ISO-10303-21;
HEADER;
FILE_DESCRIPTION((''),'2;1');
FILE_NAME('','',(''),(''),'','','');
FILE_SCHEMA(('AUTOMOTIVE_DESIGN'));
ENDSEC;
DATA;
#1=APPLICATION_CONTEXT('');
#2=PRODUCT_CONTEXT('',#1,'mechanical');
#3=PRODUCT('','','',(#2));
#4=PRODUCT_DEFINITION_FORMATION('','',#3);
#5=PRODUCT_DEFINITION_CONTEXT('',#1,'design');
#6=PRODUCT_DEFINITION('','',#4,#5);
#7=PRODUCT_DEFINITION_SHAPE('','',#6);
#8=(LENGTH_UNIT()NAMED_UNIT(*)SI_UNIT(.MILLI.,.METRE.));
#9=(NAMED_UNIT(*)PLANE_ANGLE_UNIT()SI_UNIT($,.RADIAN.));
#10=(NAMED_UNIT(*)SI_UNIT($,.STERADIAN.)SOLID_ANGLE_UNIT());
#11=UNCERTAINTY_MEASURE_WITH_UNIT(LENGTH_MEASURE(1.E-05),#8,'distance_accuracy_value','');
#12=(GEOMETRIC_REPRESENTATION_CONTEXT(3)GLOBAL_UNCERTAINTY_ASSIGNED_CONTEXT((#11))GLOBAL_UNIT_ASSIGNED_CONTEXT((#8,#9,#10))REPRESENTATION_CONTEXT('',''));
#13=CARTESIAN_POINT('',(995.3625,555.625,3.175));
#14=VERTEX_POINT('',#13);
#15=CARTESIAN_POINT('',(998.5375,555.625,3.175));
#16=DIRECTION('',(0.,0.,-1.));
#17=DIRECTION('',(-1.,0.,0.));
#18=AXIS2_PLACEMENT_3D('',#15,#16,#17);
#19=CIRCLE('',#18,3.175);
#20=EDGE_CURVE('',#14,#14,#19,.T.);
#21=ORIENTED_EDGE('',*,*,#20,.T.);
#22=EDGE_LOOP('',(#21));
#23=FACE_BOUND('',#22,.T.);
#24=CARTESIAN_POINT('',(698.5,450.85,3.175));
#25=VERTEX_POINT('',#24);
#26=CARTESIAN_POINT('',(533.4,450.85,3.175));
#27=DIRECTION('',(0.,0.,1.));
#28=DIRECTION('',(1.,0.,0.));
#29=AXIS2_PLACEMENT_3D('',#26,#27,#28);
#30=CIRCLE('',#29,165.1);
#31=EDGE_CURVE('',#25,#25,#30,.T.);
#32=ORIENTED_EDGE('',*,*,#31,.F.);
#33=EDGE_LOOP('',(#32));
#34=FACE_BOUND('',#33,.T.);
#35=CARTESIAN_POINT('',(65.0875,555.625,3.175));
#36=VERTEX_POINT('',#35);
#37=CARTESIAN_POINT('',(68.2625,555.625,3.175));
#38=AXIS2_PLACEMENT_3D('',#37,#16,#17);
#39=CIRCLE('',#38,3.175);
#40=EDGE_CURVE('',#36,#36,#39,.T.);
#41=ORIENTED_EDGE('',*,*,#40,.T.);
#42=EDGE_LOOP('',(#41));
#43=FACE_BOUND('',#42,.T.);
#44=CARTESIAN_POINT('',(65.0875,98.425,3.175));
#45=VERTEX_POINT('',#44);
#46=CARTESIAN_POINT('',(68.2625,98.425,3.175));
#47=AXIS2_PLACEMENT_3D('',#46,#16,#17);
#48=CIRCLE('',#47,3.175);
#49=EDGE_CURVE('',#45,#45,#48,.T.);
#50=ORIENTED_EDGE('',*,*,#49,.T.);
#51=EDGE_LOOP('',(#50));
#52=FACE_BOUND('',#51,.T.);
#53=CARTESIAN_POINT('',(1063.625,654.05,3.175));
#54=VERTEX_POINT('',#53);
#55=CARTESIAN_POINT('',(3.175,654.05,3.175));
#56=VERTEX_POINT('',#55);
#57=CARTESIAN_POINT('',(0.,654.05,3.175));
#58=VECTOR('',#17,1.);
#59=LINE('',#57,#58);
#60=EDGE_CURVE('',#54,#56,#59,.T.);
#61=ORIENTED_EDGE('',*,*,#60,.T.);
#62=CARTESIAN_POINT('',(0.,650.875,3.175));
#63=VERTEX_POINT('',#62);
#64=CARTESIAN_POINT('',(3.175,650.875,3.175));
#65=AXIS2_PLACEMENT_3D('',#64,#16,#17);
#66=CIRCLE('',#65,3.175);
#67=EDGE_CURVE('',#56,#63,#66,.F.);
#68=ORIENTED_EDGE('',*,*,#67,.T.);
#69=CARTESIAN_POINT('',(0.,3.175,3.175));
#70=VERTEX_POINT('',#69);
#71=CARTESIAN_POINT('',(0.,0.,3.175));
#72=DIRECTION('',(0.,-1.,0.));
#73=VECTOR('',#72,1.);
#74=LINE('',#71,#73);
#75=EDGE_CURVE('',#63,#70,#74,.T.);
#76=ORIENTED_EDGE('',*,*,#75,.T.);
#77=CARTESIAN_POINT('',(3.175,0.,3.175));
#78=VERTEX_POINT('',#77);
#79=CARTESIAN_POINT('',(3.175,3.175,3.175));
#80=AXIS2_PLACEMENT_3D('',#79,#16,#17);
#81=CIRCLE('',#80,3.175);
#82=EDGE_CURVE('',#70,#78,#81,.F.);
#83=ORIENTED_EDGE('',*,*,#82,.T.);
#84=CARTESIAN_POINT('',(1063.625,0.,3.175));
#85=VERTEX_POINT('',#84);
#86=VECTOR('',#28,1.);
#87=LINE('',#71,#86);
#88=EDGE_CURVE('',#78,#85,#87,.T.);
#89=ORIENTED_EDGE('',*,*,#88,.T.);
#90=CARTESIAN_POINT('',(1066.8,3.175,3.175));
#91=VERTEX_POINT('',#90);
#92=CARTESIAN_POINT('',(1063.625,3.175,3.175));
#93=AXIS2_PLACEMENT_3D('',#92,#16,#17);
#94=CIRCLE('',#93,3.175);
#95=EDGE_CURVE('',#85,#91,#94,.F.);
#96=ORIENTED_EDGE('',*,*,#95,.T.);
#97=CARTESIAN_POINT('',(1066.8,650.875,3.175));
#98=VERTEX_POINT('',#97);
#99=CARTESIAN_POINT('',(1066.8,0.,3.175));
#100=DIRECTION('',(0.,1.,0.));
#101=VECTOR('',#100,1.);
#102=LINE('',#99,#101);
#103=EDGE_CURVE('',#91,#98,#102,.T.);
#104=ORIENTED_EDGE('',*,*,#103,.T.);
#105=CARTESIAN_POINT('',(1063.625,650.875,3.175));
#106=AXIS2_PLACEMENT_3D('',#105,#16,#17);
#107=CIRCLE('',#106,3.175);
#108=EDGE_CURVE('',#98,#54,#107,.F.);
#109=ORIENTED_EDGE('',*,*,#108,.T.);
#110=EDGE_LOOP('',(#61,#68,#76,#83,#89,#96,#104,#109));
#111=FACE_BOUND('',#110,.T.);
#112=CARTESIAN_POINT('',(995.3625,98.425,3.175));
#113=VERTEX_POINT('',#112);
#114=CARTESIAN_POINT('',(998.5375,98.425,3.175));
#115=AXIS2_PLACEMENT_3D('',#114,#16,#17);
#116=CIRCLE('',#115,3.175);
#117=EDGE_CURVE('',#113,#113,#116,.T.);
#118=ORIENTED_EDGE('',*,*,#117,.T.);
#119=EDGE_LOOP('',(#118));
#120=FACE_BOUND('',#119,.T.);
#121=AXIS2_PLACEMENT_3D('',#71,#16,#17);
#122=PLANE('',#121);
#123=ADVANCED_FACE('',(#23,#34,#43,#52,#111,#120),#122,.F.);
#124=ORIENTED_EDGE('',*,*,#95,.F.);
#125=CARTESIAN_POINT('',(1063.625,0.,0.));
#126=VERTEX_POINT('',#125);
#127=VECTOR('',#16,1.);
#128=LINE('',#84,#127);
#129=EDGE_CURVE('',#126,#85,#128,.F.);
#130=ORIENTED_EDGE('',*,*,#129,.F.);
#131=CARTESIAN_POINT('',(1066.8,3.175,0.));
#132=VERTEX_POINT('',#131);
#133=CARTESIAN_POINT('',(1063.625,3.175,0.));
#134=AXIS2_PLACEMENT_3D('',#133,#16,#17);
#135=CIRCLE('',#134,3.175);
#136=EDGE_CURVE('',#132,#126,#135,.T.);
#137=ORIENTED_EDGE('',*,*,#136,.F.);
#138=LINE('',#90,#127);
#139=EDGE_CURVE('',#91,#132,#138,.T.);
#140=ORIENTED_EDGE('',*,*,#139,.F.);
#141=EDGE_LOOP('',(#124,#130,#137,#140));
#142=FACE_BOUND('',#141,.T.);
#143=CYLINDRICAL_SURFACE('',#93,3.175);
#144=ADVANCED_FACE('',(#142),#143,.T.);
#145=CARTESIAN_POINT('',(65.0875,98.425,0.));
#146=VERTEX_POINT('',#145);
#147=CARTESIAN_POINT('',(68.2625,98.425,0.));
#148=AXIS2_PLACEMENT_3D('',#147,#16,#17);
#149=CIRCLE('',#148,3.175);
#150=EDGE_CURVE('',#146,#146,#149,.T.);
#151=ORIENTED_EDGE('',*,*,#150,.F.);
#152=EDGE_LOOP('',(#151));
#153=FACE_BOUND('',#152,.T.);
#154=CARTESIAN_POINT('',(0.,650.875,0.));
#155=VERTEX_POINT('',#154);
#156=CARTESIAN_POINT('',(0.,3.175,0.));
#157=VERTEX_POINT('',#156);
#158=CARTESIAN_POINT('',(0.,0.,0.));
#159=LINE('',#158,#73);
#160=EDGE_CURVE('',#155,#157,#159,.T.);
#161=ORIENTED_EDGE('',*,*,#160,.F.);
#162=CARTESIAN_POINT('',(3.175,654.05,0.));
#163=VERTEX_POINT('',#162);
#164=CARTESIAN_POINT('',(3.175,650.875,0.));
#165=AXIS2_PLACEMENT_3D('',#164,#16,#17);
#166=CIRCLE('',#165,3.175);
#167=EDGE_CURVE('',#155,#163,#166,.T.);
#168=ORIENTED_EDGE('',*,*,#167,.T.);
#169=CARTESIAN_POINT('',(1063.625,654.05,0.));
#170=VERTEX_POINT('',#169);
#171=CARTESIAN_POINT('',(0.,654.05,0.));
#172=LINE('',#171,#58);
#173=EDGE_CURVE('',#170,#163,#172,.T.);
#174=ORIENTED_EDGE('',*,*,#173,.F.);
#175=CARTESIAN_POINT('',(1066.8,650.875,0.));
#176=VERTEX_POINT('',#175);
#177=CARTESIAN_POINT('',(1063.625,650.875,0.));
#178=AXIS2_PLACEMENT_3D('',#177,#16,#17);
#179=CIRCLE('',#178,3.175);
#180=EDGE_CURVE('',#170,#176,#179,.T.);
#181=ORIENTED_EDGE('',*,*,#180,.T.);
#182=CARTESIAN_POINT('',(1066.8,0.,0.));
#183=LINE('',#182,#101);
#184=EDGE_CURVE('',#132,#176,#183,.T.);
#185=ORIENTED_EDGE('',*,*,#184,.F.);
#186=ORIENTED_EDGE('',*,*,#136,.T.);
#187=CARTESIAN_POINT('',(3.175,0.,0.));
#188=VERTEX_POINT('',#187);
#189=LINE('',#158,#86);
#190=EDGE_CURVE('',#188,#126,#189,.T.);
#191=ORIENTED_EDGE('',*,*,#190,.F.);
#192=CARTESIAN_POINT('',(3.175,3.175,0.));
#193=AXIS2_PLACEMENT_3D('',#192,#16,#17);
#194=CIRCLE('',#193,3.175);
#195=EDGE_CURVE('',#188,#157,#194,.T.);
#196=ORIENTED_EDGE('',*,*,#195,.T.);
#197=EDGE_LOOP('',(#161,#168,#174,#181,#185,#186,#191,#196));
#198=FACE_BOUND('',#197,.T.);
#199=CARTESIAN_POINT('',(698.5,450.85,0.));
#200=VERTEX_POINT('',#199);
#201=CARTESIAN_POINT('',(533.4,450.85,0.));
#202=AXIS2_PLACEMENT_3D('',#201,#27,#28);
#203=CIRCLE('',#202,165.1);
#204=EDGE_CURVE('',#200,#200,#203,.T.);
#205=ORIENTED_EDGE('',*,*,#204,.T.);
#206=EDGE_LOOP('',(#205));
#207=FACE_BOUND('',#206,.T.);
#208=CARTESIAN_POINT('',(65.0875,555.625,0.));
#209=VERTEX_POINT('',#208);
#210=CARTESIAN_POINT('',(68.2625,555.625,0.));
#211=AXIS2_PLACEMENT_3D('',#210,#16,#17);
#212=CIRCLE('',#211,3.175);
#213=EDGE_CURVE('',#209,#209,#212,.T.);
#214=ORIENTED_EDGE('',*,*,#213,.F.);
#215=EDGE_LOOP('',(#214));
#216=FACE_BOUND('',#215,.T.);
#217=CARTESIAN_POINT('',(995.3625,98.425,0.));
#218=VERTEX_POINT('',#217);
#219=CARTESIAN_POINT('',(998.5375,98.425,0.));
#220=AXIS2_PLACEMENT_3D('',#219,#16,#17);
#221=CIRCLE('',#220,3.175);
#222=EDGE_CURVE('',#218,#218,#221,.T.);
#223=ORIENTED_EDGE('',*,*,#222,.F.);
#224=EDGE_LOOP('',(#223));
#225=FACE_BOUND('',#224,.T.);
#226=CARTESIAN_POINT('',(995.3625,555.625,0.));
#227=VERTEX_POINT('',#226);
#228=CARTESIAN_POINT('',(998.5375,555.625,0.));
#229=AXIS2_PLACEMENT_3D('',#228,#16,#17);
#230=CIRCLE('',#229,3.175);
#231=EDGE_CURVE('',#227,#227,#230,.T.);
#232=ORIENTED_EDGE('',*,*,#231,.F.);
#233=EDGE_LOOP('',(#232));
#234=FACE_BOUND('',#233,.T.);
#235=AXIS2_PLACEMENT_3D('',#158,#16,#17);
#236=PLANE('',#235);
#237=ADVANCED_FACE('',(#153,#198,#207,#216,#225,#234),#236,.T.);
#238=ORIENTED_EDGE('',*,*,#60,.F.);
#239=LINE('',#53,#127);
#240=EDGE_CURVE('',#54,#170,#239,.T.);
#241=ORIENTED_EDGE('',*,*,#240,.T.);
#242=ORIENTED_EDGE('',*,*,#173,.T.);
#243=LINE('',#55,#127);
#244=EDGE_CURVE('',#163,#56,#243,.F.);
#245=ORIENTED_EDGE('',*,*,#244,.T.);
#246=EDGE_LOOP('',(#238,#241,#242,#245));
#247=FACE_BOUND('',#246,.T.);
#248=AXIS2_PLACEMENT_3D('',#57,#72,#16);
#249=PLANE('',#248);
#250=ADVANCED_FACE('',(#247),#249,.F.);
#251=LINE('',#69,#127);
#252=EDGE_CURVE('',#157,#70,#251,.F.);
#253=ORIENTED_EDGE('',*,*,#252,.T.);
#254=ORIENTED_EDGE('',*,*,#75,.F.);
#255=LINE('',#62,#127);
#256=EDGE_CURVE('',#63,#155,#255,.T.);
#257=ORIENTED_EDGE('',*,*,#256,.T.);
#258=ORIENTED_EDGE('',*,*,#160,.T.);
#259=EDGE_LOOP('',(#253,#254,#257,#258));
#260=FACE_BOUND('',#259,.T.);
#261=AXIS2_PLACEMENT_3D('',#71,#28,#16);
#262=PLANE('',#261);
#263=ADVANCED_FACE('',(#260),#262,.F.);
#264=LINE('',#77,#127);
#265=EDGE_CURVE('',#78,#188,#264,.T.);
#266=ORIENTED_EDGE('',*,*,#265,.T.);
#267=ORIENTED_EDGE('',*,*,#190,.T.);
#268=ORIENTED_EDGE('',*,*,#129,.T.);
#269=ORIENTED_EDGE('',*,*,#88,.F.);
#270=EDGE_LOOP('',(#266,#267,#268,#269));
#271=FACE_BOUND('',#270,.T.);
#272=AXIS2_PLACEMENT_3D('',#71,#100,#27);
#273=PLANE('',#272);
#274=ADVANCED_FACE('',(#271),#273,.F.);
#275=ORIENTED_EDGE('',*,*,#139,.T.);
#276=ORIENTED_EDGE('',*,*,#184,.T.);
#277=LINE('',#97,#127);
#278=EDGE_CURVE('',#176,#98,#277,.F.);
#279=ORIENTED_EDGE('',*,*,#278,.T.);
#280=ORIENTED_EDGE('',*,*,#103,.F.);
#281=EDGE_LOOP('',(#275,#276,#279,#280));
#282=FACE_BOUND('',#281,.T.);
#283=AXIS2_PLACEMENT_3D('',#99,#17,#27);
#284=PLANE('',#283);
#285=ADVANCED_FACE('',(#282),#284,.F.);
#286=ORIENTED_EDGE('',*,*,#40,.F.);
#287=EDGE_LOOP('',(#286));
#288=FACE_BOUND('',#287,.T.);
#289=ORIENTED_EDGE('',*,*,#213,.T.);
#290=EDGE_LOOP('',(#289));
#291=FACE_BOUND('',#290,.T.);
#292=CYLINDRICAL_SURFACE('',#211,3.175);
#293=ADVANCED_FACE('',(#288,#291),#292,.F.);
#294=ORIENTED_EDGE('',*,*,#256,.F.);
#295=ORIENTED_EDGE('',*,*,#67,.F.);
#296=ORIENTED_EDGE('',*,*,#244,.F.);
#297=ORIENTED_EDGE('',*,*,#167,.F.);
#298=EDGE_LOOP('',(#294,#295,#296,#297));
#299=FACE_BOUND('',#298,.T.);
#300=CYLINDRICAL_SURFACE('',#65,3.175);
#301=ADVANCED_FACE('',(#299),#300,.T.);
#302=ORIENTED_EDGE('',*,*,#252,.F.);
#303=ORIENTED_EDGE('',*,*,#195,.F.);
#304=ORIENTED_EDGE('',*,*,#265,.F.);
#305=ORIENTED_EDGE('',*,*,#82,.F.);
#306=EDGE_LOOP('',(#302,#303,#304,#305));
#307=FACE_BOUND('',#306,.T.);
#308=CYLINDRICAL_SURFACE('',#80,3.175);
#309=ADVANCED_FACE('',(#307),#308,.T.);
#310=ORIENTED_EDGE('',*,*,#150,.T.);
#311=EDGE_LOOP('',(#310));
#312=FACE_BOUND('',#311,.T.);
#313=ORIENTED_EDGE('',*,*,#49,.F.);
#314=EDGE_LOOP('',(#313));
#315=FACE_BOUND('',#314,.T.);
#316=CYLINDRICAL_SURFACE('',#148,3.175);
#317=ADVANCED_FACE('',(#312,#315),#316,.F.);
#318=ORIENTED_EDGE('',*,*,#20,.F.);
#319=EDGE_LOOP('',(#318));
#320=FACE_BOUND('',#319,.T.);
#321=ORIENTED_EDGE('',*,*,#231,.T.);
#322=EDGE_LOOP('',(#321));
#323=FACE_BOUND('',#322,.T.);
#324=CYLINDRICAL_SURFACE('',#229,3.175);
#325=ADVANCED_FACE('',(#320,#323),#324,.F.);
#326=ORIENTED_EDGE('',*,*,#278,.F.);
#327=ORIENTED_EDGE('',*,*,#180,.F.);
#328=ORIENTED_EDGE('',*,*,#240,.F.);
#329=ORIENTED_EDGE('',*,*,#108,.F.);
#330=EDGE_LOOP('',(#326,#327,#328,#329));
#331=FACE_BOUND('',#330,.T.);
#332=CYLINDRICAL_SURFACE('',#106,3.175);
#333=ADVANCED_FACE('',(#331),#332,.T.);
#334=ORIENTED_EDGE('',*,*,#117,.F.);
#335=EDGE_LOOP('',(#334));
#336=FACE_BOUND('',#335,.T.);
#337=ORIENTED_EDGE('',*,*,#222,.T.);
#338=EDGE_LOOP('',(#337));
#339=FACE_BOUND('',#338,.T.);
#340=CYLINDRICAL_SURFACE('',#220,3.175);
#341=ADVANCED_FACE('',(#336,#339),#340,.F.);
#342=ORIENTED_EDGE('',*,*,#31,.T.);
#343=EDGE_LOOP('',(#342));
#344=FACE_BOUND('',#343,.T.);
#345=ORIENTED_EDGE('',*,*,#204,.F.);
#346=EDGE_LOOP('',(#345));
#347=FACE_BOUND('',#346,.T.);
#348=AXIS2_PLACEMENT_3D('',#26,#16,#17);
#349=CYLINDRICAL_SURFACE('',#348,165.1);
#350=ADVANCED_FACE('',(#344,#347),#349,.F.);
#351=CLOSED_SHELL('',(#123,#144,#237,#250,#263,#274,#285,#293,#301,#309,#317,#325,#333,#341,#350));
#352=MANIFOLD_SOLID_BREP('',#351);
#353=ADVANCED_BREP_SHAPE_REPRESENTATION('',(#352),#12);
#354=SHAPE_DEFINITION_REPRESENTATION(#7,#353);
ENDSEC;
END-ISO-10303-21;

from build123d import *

# Parameters (mm, degrees)
SKETCH1_W                   = 1066.8
SKETCH1_H                   = 654.05
SKETCH1_R                   = 165.1
BOSS_EXTRUDE1_DEPTH         = 3.175
F_1_4_0_25_DIAMETER_HOLE2_D = 6.35
FILLET1_R                   = 3.175


with BuildPart() as part:
    # Sketch1 → Boss-Extrude1 (new body)
    with BuildSketch(Plane.XY):
        with Locations((533.4, 327.025)):
            Rectangle(SKETCH1_W, SKETCH1_H)
        with Locations((533.4, 450.85)):
            Circle(SKETCH1_R, mode=Mode.SUBTRACT)
    extrude(amount=BOSS_EXTRUDE1_DEPTH)

    # 1/4 (0.25) Diameter Hole2 (through all)
    with Locations(Plane(origin=(0, 0, 0), x_dir=(-1, 0, 0), z_dir=(0, 0, -1))):
        with Locations((-998.5375, 555.625), (-998.5375, 98.425), (-68.2625, 98.425), (-68.2625, 555.625)):
            Hole(F_1_4_0_25_DIAMETER_HOLE2_D / 2)

    # Fillet1
    fillet1_edges = [part.edges().sort_by_distance(p)[0] for p in [
        (0, 654.05, 1.5875),
        (1066.8, 654.05, 1.5875),
        (1066.8, 0, 1.5875),
        (0, 0, 1.5875),
    ]]
    fillet(fillet1_edges, radius=FILLET1_R)


solid = part.part
